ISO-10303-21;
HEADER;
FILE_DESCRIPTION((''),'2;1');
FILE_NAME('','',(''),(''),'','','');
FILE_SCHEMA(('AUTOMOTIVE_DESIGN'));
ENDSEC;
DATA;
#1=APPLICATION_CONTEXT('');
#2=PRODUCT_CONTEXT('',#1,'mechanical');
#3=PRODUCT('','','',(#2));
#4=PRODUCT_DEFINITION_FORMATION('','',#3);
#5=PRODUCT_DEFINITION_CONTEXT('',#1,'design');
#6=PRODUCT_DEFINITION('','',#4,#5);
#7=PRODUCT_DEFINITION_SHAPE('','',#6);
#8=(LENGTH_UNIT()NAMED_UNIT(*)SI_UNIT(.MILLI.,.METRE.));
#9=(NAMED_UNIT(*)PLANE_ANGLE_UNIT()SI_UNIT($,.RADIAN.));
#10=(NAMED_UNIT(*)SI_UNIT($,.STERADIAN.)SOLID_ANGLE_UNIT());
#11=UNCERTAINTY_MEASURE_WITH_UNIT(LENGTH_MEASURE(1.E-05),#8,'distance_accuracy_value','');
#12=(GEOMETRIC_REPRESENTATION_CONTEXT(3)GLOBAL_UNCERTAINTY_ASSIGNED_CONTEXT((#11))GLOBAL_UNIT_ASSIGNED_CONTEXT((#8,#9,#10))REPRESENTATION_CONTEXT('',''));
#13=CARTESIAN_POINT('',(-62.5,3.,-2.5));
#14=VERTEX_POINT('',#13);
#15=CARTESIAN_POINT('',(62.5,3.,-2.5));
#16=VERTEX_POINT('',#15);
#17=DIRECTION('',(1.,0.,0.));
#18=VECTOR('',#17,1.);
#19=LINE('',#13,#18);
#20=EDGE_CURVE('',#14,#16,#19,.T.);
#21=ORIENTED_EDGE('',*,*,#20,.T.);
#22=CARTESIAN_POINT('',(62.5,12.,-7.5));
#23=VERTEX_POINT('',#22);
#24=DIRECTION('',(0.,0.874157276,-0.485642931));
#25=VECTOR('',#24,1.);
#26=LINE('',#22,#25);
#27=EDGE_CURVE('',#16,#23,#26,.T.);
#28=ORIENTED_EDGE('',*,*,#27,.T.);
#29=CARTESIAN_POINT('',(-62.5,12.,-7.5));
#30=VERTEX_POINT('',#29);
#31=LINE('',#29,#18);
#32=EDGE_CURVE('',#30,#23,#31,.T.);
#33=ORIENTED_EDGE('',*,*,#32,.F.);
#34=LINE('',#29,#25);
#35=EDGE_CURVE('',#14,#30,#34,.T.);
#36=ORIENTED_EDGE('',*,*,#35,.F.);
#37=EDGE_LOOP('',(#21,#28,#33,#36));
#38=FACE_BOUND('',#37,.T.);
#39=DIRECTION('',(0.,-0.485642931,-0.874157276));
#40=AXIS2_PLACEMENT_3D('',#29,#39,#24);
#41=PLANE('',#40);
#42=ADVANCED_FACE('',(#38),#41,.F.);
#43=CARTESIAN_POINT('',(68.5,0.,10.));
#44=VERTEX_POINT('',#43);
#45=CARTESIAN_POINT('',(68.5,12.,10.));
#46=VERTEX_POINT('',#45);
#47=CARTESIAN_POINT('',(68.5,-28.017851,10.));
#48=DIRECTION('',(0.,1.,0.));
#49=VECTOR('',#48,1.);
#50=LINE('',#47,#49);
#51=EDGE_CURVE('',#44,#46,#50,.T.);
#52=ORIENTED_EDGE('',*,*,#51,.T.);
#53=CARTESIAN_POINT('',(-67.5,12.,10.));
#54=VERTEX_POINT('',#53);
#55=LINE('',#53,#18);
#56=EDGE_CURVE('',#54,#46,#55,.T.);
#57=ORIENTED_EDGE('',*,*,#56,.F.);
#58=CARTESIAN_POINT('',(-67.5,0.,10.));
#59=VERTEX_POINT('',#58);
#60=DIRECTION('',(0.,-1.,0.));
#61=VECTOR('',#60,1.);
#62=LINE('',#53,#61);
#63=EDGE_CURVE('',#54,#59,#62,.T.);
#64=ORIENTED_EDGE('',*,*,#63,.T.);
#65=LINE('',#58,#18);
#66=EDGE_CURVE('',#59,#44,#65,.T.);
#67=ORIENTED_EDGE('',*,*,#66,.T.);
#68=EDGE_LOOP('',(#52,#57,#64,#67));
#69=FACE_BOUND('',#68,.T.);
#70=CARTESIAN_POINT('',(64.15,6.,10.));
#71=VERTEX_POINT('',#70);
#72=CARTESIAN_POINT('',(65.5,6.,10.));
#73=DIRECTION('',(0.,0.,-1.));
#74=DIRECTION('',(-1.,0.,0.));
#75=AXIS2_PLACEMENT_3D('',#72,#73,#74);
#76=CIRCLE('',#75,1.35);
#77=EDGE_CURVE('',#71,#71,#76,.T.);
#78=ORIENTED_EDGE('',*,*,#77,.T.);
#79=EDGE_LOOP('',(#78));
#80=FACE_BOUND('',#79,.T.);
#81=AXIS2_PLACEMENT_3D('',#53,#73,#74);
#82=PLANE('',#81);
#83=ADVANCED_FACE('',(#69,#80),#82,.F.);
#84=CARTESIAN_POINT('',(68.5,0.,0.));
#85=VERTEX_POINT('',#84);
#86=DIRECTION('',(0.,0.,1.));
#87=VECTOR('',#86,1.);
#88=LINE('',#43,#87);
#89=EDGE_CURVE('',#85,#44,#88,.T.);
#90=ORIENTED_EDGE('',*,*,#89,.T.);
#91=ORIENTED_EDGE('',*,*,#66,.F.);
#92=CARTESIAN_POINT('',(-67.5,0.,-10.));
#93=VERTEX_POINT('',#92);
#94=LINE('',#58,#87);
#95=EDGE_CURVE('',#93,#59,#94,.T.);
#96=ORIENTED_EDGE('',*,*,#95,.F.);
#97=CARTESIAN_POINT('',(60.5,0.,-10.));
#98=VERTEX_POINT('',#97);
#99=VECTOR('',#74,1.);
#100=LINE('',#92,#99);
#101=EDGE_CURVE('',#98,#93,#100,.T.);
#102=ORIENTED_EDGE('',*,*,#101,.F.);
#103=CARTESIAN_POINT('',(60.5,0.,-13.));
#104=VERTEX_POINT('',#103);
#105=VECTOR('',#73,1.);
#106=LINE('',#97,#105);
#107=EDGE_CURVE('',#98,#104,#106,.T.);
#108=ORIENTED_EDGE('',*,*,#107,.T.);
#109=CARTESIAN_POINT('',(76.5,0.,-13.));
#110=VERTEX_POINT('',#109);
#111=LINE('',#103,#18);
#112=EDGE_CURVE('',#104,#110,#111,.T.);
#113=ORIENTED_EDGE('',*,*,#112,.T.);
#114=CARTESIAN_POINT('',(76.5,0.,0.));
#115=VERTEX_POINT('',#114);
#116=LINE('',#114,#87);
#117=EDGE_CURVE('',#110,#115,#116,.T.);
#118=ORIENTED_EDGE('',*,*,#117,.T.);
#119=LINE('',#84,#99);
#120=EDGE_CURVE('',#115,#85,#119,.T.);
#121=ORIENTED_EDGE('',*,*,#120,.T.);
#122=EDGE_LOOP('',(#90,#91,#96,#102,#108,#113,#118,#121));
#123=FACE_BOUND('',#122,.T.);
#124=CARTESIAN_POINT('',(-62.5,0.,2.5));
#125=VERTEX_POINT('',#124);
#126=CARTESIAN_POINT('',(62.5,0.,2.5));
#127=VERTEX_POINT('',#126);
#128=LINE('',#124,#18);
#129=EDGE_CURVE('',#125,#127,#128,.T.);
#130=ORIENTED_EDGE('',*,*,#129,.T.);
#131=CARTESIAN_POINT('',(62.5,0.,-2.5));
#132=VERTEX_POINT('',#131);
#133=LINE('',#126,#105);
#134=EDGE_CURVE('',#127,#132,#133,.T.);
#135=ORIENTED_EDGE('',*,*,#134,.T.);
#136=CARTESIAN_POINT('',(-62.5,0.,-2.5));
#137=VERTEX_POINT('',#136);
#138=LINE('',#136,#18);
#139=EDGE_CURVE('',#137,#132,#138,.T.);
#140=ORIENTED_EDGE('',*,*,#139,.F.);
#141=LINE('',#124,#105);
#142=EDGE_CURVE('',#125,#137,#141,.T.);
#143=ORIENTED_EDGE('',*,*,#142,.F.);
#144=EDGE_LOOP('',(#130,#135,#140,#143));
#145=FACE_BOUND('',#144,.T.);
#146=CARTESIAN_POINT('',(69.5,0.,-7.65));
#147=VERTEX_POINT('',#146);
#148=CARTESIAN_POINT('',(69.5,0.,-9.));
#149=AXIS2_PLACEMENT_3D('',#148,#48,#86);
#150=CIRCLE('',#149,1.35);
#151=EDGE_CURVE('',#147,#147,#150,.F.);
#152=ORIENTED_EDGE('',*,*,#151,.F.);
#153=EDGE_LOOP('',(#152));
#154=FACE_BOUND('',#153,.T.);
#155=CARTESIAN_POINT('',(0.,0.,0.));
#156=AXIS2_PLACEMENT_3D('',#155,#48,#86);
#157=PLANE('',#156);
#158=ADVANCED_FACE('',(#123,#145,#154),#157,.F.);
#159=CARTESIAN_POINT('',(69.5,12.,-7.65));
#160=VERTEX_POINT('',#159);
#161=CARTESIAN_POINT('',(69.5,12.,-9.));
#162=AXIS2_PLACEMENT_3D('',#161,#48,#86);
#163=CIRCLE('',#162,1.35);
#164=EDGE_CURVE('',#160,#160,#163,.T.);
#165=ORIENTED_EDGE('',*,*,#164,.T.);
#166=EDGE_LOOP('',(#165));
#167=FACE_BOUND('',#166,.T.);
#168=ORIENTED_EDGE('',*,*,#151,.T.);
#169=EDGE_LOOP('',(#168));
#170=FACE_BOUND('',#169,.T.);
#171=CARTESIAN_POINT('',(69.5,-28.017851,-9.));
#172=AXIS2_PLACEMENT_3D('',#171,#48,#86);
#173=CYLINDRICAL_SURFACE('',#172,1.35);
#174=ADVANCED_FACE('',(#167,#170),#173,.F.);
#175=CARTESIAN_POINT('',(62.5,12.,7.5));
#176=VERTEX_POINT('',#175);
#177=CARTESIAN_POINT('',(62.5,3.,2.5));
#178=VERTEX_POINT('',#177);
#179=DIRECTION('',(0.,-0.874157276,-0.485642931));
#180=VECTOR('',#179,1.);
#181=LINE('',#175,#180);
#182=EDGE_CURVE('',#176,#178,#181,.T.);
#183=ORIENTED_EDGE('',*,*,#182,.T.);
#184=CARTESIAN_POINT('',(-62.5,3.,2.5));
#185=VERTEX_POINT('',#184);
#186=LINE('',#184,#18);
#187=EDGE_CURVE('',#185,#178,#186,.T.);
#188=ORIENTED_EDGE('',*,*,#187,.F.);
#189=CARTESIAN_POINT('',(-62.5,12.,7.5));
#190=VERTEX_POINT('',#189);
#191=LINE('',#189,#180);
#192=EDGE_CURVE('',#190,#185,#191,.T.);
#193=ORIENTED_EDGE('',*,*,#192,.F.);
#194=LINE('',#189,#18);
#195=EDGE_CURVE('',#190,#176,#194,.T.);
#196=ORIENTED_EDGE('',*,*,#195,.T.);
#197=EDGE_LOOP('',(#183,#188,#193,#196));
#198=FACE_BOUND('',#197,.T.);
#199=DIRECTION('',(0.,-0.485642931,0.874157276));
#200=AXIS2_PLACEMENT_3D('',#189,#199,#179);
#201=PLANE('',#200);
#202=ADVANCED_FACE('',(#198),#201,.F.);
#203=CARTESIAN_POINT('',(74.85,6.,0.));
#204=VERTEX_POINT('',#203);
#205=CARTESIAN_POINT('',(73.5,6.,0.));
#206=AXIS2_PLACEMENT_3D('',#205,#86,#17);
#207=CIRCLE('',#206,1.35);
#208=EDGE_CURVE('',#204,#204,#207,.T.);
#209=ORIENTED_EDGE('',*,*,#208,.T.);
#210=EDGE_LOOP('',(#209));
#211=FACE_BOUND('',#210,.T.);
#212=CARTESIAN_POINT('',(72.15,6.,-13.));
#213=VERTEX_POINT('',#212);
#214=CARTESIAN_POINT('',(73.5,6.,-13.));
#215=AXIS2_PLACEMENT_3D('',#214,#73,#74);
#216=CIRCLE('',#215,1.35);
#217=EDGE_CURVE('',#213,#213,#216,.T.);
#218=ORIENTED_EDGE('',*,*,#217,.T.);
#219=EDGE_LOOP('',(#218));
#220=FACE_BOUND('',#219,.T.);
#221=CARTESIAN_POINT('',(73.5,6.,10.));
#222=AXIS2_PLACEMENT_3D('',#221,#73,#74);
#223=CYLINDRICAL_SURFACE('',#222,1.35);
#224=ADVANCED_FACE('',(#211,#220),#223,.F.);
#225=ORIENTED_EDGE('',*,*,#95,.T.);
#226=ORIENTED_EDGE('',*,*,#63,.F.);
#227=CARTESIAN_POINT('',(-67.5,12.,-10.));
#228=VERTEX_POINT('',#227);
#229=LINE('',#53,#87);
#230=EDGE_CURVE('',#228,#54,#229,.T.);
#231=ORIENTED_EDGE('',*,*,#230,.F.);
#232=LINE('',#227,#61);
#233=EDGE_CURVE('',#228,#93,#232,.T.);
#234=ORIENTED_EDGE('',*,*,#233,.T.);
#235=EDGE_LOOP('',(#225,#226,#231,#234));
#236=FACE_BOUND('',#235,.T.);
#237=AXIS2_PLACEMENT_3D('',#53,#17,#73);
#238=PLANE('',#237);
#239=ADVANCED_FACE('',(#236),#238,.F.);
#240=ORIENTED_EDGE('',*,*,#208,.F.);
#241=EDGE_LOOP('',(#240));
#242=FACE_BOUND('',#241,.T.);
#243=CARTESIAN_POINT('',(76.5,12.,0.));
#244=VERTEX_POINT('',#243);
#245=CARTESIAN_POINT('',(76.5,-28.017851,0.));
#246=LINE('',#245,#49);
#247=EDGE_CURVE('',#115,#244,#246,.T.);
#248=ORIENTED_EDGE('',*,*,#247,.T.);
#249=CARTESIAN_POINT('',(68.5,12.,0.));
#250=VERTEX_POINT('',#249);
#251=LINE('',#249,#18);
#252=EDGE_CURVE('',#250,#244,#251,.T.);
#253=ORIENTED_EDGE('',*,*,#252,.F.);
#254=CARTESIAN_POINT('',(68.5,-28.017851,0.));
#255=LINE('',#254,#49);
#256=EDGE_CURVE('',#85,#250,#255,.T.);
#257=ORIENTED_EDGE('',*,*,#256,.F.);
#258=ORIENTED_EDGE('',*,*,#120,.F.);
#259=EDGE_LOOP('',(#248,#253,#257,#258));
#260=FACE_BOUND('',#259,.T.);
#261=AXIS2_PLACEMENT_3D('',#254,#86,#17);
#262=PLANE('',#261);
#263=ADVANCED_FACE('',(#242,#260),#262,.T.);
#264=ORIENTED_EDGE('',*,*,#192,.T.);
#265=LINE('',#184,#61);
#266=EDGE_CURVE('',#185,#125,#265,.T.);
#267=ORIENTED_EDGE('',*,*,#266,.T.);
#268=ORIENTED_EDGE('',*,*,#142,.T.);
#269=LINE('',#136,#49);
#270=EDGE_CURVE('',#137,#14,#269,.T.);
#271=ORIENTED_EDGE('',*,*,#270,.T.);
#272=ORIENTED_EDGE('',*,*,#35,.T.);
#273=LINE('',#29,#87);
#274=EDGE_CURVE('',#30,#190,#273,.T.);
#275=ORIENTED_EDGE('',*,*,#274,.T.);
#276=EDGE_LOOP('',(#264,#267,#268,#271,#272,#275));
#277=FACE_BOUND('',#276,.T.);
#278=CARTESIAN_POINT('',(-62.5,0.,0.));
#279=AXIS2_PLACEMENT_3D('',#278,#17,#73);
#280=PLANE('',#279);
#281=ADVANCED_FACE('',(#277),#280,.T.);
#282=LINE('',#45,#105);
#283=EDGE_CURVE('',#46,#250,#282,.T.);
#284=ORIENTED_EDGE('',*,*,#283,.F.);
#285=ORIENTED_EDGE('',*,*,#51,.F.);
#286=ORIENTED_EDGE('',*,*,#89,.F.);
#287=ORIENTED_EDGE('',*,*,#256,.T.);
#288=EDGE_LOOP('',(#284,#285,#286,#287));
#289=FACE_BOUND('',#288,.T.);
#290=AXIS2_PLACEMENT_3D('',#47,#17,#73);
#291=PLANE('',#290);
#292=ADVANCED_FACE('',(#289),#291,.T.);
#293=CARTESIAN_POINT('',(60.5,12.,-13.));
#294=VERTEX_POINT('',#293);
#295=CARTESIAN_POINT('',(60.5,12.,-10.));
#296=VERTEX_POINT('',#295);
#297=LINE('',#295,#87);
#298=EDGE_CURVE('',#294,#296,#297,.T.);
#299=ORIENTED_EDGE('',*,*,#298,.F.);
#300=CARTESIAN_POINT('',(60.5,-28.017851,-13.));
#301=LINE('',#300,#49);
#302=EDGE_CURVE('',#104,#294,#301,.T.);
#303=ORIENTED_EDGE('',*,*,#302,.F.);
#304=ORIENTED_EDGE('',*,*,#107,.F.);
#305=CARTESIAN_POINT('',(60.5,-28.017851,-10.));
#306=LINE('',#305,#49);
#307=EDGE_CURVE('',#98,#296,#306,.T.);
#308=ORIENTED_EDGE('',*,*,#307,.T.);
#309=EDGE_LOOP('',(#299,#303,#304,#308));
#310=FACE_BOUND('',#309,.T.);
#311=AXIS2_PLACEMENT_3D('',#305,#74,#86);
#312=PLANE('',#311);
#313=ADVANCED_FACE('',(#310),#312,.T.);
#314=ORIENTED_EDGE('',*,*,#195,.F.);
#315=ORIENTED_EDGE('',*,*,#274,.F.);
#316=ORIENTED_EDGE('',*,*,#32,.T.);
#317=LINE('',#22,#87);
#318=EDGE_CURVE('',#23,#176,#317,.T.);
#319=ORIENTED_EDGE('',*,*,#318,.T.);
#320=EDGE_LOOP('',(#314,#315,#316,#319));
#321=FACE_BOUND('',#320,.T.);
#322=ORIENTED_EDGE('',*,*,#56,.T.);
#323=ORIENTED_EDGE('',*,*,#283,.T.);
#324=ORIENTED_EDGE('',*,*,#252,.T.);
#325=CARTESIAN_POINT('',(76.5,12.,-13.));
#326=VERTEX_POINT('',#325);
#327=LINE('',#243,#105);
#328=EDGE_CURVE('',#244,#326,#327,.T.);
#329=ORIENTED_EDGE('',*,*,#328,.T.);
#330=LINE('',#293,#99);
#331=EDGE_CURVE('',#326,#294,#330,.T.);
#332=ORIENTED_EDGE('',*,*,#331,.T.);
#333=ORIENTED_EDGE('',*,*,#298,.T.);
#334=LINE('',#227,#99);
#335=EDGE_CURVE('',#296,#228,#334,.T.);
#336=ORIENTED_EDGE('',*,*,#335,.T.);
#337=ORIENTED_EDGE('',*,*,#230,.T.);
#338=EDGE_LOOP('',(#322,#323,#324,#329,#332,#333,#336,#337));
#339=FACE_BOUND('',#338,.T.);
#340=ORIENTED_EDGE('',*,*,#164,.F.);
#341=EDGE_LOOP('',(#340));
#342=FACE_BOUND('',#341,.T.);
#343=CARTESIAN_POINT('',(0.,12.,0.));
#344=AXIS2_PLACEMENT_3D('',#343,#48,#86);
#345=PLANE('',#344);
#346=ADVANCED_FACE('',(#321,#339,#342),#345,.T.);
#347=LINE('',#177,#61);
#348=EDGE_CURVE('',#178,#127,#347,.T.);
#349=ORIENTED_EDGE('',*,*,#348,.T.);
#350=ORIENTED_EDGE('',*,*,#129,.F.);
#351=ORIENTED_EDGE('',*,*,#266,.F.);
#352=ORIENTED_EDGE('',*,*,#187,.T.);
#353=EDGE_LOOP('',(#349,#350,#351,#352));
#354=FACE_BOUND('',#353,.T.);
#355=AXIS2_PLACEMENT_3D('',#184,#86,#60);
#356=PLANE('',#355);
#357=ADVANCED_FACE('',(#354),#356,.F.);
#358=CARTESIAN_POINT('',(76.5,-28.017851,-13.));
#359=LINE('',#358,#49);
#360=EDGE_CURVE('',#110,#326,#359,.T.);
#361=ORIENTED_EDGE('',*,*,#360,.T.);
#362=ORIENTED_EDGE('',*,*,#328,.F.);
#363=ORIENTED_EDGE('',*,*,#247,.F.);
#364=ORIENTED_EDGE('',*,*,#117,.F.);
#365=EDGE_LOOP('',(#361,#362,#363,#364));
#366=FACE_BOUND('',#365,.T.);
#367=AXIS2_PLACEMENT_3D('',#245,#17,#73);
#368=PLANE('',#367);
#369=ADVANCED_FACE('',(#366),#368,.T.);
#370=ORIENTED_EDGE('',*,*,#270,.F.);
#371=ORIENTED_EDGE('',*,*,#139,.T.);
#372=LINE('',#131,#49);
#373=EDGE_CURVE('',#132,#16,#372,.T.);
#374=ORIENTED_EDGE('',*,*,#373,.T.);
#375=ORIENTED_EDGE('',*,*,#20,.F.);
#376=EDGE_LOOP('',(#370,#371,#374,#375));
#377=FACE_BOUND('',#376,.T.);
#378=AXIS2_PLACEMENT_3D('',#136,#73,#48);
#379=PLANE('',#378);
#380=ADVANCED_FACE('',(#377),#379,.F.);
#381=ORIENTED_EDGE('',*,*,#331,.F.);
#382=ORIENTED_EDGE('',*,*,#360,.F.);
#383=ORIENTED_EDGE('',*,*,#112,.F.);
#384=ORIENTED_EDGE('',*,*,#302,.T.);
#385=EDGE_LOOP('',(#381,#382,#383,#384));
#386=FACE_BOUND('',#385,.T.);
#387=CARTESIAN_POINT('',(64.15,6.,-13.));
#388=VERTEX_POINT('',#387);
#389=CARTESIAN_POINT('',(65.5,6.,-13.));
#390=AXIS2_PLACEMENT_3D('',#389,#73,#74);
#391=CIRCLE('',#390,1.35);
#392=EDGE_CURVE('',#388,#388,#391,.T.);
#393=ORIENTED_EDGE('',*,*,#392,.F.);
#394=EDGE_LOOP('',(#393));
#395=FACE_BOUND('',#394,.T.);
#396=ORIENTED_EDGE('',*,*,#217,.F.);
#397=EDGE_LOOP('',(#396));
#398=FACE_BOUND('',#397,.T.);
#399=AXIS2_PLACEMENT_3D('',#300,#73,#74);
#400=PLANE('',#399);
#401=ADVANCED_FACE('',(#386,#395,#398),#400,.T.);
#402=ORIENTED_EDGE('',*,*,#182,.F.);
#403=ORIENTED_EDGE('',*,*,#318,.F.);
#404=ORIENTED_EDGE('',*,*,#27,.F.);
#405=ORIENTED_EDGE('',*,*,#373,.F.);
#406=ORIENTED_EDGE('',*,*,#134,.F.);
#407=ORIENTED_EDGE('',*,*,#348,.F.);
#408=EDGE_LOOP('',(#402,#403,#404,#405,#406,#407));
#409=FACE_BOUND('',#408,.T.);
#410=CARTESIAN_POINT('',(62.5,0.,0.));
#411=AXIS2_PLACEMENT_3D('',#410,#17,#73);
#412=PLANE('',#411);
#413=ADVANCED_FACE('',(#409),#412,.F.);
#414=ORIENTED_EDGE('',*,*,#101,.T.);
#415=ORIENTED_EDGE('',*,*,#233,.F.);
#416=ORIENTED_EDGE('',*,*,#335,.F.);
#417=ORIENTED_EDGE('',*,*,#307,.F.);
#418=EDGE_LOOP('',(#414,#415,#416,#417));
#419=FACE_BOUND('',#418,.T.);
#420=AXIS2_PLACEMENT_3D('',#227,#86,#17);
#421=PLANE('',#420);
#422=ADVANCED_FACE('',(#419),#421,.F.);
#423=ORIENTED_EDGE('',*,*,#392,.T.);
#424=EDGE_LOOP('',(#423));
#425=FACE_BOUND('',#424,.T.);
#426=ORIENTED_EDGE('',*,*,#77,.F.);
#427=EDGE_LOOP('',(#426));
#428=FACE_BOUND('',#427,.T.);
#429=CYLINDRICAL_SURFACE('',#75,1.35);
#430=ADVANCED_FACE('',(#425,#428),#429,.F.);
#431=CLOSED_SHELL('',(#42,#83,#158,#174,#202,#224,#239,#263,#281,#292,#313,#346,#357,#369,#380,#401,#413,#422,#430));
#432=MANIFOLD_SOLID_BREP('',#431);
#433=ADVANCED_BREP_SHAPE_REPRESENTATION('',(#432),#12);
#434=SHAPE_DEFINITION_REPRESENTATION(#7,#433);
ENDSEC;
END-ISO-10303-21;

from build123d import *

# Parameters (mm, degrees)
SKETCH_1_W           = 135
SKETCH_1_H           = 20
EXTRUDE_3_DEPTH      = 12
CUT_EXTRUDE_1_DEPTH  = 62.5
SKETCH_16_R          = 1.35
EXTRUDE_4_DEPTH      = 12
SKETCH_17_R          = 1.35
CUT_EXTRUDE_12_DEPTH = 81.779019553


with BuildPart() as part:
    # 草图1 → 凸台-拉伸3 (new body)
    with BuildSketch(Plane(origin=(0, 0, 0), x_dir=(1, 0, 0), z_dir=(0, 1, 0))):
        Rectangle(SKETCH_1_W, SKETCH_1_H)
    extrude(amount=EXTRUDE_3_DEPTH)

    # 草图2 → 切除-拉伸1 (cut, symmetric)
    with BuildSketch(Plane(origin=(0, 0, 0), x_dir=(0, 0, -1), z_dir=(1, 0, 0))):
        Polygon((-7.5, 12), (-2.5, 3), (-2.5, 0), (2.5, 0), (2.5, 3), (7.5, 12), align=None)
    extrude(amount=CUT_EXTRUDE_1_DEPTH, both=True, mode=Mode.SUBTRACT)

    # 草图16 → 凸台-拉伸4 (add)
    with BuildSketch(Plane(origin=(0, 12, 0), x_dir=(1, 0, 0), z_dir=(0, 1, 0))):
        Polygon((60.5, 10), (67.5, 10), (67.5, -10), (68.5, -10), (68.5, 0), (76.5, 0), (76.5, 13), (60.5, 13), align=None)
        with Locations(Location((69.5, 9, 0), (0, 0, 270))):
            Circle(SKETCH_16_R, mode=Mode.SUBTRACT)
    extrude(amount=-EXTRUDE_4_DEPTH)

    # 草图17 → 切除-拉伸12 (cut, through all)
    with BuildSketch(Plane(origin=(0, 0, -13), x_dir=(-1, 0, 0), z_dir=(0, 0, -1))):
        with Locations((-65.5, 6)):
            Circle(SKETCH_17_R)
        with Locations((-73.5, 6)):
            Circle(SKETCH_17_R)
    extrude(amount=-CUT_EXTRUDE_12_DEPTH, mode=Mode.SUBTRACT)


solid = part.part
